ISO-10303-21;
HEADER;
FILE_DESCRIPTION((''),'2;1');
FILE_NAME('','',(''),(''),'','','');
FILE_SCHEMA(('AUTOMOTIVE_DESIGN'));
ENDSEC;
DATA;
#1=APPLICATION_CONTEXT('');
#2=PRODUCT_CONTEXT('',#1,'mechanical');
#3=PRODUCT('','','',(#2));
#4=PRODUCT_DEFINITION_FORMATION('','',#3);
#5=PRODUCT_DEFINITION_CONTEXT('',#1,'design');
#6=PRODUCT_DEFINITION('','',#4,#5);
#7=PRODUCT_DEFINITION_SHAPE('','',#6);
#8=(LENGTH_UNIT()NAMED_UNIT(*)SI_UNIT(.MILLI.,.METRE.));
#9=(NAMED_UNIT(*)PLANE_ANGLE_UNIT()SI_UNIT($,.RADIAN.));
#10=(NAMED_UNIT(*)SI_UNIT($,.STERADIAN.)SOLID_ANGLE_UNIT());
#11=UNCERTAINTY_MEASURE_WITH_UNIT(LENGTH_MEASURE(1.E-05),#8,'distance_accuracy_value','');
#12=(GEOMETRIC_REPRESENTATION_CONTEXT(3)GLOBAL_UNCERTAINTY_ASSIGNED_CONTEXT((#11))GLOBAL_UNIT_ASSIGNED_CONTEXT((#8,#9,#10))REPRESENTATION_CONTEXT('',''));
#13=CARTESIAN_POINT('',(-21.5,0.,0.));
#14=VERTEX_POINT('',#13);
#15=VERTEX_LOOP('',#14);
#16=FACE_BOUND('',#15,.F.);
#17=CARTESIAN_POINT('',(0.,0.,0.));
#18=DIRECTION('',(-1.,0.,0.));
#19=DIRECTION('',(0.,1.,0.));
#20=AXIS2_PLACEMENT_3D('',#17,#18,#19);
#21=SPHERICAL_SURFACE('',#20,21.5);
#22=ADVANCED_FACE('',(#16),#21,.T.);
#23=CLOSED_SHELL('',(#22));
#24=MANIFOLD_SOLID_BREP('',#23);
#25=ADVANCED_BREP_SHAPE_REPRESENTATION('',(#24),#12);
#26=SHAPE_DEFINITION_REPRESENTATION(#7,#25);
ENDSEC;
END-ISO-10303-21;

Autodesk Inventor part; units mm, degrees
ref_plane "YZ Plane" through (0, 0, 0) normal (1, 0, 0) x (0, 1, 0)
ref_plane "XY Plane" through (0, 0, 0) normal (0, 0, 1) x (1, 0, 0)
sketch "Skizze1" plane through (0, 0, 0) normal (0, 0, 1) x (1, 0, 0)
  circle A0 centre (0, 0) radius 21.5
  line L0 (-21.5, 0) -> (21.5, 0)
  line L1 (-30.1, 0) -> (30.1, 0) projected
  dimension "d0" = 43
revolve "Umdrehung1" add sketch "Skizze1" angle 360 about axis through (0, 0, 0) along (1, 0, 0) picked at (-4.2794, 7.6131) contours L0 A0
ref_plane "Arbeitsebene3" through (0, 7, 0) normal (0, 1, 0) x (-1, 0, 0)
properties part number "Golfball" material "Golfball"
